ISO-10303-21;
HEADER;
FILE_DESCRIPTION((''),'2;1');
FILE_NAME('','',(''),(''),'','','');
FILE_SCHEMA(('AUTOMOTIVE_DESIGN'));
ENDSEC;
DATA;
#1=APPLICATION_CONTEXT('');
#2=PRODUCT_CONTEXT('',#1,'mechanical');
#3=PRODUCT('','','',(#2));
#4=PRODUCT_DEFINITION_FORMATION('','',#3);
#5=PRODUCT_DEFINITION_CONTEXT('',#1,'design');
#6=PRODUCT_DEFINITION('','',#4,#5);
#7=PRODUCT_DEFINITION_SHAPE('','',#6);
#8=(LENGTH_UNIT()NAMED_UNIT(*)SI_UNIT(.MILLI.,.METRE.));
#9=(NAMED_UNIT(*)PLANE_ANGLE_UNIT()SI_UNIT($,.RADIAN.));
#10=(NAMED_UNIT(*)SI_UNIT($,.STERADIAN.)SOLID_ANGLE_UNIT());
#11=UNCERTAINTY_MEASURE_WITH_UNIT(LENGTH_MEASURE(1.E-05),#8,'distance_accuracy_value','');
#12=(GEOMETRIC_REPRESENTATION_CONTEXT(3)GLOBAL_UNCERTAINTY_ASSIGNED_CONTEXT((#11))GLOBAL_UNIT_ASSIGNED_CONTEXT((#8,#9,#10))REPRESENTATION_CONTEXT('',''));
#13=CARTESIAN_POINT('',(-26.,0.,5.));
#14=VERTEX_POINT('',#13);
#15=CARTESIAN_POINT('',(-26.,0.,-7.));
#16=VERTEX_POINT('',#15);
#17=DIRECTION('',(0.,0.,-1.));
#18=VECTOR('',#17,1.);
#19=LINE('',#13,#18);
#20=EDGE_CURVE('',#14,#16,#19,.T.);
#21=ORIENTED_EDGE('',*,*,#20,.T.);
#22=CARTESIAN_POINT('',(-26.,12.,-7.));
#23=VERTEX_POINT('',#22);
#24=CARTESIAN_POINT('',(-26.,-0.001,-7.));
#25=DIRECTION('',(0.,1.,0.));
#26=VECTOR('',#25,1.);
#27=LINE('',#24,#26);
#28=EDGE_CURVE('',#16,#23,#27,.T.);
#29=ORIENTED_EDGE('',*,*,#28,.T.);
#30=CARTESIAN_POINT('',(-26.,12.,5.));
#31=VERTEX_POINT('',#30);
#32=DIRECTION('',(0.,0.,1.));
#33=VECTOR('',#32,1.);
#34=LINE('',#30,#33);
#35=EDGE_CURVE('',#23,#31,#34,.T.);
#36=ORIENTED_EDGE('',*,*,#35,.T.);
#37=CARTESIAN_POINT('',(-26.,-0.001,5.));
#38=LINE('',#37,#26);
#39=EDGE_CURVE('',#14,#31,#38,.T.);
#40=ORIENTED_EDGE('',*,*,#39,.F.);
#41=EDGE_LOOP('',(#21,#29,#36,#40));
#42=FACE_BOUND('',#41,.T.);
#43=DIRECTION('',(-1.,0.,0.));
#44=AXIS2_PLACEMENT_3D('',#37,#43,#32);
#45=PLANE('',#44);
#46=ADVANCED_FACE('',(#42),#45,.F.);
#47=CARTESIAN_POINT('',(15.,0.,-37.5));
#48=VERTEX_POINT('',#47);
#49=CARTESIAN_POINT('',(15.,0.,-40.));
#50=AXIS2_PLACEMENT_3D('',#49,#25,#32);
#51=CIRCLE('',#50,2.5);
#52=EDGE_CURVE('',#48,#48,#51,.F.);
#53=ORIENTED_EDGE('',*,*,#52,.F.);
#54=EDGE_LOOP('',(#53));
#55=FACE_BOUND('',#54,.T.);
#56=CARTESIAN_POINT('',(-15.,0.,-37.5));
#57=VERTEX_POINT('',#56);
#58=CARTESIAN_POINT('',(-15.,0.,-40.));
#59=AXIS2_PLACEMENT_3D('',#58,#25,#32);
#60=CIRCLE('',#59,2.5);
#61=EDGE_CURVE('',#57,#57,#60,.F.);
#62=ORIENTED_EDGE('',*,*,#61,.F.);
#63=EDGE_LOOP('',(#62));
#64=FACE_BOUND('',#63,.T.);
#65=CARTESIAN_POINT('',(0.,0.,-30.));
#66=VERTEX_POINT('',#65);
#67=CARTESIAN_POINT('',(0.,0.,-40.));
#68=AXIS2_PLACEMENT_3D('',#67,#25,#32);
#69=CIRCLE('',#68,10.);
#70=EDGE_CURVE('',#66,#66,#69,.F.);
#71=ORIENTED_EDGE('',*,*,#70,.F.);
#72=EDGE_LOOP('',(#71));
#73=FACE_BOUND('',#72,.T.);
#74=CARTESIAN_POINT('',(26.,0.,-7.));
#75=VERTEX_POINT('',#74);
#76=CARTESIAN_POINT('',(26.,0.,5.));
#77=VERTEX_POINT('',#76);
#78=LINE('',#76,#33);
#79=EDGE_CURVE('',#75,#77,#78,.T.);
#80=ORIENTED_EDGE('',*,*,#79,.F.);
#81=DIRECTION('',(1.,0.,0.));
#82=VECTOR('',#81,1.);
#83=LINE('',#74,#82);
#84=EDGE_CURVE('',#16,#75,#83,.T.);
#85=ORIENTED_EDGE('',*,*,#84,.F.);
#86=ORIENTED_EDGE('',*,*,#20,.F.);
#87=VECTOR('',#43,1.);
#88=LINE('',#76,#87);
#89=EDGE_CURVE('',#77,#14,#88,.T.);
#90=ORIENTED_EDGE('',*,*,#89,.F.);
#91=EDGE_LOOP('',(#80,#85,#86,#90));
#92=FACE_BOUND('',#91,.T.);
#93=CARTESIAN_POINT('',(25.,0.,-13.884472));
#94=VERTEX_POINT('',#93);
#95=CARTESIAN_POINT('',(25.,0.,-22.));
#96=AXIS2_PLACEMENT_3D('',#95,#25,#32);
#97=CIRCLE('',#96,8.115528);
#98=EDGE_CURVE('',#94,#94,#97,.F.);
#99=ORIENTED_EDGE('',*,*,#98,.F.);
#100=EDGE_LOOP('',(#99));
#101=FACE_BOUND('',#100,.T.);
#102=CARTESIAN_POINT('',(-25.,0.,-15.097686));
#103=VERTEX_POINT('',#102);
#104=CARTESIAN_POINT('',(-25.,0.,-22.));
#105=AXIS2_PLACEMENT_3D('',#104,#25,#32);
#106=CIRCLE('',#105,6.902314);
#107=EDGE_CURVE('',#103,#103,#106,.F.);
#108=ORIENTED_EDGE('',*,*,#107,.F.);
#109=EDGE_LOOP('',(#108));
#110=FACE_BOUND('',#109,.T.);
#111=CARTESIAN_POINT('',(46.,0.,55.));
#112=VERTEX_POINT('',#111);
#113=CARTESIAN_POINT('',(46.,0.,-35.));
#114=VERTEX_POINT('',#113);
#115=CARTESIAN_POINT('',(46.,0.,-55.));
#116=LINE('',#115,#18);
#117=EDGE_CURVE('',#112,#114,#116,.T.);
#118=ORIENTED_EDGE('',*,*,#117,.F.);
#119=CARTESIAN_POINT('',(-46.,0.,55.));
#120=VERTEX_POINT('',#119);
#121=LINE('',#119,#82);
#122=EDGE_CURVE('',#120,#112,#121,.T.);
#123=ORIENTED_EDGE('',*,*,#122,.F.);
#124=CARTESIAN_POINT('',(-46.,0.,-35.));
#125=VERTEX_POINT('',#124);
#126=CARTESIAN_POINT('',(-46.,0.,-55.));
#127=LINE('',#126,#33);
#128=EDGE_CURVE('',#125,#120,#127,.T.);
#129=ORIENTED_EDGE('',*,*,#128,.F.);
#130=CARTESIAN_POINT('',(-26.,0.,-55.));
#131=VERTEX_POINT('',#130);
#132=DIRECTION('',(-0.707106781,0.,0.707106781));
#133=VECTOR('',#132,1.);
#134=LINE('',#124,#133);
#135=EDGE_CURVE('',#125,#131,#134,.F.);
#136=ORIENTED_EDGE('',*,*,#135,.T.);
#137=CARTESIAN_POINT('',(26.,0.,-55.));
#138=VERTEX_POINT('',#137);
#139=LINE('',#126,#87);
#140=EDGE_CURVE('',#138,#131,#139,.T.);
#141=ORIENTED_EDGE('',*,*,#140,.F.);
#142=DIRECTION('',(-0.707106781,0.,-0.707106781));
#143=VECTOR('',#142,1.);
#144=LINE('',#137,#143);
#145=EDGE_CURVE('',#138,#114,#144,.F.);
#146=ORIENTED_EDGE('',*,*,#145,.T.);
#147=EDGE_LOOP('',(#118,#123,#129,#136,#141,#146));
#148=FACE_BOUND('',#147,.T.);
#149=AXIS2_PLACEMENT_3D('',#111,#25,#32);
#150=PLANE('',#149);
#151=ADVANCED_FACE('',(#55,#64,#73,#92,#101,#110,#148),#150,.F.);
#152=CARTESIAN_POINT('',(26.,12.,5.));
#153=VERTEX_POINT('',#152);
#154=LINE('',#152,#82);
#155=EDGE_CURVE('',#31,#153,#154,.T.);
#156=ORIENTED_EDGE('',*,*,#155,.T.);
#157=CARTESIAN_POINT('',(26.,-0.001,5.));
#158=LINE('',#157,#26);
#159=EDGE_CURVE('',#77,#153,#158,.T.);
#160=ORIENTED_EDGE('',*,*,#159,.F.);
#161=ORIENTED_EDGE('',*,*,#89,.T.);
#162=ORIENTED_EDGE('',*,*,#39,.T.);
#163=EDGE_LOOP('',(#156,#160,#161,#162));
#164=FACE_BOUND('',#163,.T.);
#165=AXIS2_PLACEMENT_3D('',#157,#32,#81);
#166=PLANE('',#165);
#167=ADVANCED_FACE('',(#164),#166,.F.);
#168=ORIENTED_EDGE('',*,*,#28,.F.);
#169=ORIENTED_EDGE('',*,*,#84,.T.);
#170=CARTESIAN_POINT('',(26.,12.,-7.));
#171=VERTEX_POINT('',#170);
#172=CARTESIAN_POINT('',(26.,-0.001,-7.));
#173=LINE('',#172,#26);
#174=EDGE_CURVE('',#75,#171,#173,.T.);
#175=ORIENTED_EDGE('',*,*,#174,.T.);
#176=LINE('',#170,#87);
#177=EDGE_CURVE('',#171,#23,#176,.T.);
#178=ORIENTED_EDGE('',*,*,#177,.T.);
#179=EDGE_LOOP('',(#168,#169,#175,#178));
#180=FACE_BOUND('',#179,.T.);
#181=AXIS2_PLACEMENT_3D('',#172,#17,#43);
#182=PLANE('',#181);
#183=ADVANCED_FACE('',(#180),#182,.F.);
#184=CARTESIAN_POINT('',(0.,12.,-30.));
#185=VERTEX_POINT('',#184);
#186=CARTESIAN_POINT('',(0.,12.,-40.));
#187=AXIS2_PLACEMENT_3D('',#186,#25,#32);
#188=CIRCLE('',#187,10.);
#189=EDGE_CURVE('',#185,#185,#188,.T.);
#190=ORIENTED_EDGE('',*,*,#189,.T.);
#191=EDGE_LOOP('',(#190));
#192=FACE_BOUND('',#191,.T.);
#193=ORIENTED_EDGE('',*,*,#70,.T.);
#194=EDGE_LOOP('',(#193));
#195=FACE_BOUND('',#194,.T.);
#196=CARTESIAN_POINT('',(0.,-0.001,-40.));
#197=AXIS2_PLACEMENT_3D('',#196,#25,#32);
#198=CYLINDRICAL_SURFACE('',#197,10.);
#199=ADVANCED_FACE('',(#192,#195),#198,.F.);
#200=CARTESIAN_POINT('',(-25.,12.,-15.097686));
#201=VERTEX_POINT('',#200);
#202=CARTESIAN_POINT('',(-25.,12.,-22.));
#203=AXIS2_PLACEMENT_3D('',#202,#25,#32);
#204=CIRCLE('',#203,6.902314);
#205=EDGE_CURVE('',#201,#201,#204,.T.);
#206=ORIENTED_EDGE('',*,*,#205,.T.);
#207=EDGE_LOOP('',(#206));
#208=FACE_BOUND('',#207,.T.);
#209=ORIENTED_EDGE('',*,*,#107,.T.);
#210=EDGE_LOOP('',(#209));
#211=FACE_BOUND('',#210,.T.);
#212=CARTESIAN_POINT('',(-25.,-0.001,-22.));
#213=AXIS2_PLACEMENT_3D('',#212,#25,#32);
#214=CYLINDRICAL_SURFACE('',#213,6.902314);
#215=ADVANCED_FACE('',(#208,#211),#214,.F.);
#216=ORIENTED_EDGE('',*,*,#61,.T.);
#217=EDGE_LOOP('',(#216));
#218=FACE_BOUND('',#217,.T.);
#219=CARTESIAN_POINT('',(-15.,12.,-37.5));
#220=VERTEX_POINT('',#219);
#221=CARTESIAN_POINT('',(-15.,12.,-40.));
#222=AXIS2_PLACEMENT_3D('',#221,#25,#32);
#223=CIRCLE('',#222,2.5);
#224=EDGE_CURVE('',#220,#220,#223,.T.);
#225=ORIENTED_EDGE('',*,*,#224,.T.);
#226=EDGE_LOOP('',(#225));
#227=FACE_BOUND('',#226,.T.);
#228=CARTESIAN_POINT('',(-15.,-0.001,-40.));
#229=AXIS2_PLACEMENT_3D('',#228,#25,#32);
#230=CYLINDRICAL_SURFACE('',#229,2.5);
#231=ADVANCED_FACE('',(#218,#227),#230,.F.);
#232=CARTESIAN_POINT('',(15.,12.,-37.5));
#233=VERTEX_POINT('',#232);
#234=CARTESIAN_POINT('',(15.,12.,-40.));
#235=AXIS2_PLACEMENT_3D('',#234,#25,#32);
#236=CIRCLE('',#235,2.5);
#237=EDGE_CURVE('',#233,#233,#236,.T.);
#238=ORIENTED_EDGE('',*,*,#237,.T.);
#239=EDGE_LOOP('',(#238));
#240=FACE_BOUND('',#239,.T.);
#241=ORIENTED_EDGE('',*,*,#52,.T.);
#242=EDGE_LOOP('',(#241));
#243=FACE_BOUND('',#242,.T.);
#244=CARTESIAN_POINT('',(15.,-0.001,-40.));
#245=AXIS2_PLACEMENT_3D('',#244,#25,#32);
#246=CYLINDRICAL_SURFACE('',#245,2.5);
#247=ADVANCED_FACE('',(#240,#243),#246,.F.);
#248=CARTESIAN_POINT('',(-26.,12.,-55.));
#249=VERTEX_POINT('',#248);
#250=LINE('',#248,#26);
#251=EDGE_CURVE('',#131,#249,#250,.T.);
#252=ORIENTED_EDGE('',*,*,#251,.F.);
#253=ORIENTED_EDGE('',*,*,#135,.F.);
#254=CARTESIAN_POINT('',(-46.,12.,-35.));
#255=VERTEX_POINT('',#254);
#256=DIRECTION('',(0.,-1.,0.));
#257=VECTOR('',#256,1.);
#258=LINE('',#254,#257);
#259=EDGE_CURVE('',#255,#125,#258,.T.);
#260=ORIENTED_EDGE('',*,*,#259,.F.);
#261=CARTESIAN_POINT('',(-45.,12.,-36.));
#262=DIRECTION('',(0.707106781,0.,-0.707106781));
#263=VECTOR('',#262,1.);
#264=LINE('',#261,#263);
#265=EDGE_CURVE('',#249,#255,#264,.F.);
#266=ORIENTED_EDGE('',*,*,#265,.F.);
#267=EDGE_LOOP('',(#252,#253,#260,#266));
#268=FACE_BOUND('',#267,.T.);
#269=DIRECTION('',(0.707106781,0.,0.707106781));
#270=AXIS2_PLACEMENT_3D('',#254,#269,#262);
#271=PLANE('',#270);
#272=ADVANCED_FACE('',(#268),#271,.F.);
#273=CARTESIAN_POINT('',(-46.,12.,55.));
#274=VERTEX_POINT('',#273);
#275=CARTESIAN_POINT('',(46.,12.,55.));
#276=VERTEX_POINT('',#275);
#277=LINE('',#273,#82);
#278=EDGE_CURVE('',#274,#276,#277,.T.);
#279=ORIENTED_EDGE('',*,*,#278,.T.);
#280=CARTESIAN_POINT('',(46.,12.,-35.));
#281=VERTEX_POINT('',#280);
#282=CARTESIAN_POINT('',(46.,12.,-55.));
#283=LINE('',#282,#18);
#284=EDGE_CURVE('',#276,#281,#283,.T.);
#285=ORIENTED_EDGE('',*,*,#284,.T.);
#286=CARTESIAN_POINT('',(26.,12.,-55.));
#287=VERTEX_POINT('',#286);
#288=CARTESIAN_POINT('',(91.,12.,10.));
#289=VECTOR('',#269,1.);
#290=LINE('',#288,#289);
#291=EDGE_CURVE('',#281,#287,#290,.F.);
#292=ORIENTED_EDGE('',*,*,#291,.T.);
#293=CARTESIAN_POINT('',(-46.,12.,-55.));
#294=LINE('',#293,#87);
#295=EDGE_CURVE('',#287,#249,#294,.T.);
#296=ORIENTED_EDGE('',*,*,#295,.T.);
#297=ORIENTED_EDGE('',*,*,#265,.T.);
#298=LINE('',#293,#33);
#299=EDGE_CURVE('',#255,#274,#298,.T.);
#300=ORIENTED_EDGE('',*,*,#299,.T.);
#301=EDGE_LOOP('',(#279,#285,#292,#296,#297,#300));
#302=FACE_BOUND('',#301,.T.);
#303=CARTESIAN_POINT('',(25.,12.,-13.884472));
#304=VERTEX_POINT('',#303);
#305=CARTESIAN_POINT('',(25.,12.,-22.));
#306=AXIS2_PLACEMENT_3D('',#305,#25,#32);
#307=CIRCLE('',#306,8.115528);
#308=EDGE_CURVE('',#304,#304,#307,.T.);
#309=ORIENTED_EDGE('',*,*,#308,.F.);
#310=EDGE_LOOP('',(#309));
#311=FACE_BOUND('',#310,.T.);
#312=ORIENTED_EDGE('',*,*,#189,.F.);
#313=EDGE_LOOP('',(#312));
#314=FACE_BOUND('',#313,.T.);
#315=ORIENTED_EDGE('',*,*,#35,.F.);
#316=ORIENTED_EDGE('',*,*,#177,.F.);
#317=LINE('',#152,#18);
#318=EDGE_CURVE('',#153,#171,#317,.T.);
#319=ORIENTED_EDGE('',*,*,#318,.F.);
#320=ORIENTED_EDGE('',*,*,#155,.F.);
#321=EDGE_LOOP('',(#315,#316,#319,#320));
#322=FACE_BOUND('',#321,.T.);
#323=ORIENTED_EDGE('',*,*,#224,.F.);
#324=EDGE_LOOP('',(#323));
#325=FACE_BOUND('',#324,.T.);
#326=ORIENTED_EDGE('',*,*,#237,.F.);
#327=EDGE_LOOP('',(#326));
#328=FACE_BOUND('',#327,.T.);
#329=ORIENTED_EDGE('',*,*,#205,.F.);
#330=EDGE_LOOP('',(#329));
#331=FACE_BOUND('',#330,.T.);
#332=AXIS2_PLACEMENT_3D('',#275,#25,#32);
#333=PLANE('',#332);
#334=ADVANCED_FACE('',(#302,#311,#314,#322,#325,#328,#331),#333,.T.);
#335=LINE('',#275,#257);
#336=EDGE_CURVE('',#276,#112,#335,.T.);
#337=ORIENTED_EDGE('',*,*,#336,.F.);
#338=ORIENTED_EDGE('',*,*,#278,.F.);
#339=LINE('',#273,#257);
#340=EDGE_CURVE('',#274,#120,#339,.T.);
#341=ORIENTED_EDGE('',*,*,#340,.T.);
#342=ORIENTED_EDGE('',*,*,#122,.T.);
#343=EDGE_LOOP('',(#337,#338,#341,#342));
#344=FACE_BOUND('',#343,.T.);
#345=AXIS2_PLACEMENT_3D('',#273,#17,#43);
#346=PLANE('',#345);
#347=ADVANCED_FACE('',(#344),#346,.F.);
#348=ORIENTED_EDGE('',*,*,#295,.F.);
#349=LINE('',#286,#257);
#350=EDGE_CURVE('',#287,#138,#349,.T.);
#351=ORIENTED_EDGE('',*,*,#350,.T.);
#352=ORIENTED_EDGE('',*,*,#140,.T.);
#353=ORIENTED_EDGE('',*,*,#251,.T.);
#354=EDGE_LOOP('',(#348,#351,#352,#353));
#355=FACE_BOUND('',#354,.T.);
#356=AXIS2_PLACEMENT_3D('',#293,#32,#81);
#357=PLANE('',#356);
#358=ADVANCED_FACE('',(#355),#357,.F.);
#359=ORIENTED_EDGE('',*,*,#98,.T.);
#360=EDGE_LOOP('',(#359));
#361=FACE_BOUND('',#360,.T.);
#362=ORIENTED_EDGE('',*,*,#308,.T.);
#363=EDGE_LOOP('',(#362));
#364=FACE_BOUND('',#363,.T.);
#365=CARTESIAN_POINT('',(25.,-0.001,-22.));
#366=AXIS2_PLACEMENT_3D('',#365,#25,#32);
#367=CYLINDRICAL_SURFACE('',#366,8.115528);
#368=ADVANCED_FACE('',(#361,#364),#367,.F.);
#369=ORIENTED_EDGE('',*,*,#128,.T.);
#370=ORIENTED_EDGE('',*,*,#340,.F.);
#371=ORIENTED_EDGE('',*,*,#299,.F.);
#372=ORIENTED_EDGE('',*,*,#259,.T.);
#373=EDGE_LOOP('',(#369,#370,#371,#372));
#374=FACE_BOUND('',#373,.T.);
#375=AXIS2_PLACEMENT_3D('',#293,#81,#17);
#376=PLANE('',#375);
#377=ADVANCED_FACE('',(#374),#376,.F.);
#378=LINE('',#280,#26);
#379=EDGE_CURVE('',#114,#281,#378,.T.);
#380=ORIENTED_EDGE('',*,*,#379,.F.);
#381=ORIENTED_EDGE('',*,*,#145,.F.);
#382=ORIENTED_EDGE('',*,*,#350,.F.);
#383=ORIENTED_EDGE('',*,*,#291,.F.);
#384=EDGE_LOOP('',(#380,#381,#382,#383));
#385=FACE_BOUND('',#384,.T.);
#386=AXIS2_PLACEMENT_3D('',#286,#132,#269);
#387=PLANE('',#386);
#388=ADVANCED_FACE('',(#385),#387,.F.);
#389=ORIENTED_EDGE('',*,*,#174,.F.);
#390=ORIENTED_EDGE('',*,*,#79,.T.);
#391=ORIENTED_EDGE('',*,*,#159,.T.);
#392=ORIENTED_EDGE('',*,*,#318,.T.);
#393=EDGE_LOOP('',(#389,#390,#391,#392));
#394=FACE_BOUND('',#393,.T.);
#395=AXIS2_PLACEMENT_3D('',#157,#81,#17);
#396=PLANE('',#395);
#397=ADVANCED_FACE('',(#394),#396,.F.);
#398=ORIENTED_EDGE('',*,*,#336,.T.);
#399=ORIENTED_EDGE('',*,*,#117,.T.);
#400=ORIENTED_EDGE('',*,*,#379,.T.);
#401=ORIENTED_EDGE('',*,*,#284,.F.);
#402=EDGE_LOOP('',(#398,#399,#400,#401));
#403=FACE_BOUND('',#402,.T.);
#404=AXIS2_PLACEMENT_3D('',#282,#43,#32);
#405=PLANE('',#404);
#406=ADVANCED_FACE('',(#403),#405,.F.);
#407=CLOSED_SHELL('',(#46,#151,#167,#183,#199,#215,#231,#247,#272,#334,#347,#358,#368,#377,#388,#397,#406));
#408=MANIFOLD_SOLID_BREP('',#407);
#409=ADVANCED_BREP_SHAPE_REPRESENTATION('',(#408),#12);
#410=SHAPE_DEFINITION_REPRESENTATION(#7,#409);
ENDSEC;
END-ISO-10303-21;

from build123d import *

# Parameters (mm, degrees)
SKETCH1_W           = 92
SKETCH1_H           = 110
BOSS_EXTRUDE1_DEPTH = 12
CUT_EXTRUDE1_REACH  = 74.698
SKETCH2_R           = 10
SKETCH2_R_2         = 6.902314271
SKETCH2_R_3         = 8.115527509
SKETCH2_R_4         = 2.5
CUT_EXTRUDE2_REACH  = 74.698
SKETCH3_W           = 52
SKETCH3_H           = 12
CHAMFER1_SIZE       = 20


with BuildPart() as part:
    # Sketch1 → Boss-Extrude1 (new body)
    with BuildSketch(Plane(origin=(0, 0, 0), x_dir=(1, 0, 0), z_dir=(0, 1, 0))):
        Rectangle(SKETCH1_W, SKETCH1_H)
    extrude(amount=BOSS_EXTRUDE1_DEPTH)

    # Sketch2 → Cut-Extrude1 (cut, up to next)
    with BuildSketch(Plane(origin=(0, 12, 0), x_dir=(1, 0, 0), z_dir=(0, 1, 0)), mode=Mode.PRIVATE) as cut_extrude1_sk1:
        with Locations(Location((0, 40, 0), (0, 0, 270))):
            Circle(SKETCH2_R)
    cut_extrude1_tool1 = extrude(cut_extrude1_sk1.sketch, amount=-CUT_EXTRUDE1_REACH, mode=Mode.PRIVATE) & part.part
    # Sketch2 → Cut-Extrude1 (cut, up to next)
    with BuildSketch(Plane(origin=(0, 12, 0), x_dir=(1, 0, 0), z_dir=(0, 1, 0)), mode=Mode.PRIVATE) as cut_extrude1_sk2:
        with Locations(Location((-25, 22, 0), (0, 0, 270))):
            Circle(SKETCH2_R_2)
    cut_extrude1_tool2 = extrude(cut_extrude1_sk2.sketch, amount=-CUT_EXTRUDE1_REACH, mode=Mode.PRIVATE) & part.part
    # Sketch2 → Cut-Extrude1 (cut, up to next)
    with BuildSketch(Plane(origin=(0, 12, 0), x_dir=(1, 0, 0), z_dir=(0, 1, 0)), mode=Mode.PRIVATE) as cut_extrude1_sk3:
        with Locations(Location((25, 22, 0), (0, 0, 270))):
            Circle(SKETCH2_R_3)
    cut_extrude1_tool3 = extrude(cut_extrude1_sk3.sketch, amount=-CUT_EXTRUDE1_REACH, mode=Mode.PRIVATE) & part.part
    # Sketch2 → Cut-Extrude1 (cut, up to next)
    with BuildSketch(Plane(origin=(0, 12, 0), x_dir=(1, 0, 0), z_dir=(0, 1, 0)), mode=Mode.PRIVATE) as cut_extrude1_sk4:
        with Locations(Location((-15, 40, 0), (0, 0, 270))):
            Circle(SKETCH2_R_4)
    cut_extrude1_tool4 = extrude(cut_extrude1_sk4.sketch, amount=-CUT_EXTRUDE1_REACH, mode=Mode.PRIVATE) & part.part
    # Sketch2 → Cut-Extrude1 (cut, up to next)
    with BuildSketch(Plane(origin=(0, 12, 0), x_dir=(1, 0, 0), z_dir=(0, 1, 0)), mode=Mode.PRIVATE) as cut_extrude1_sk5:
        with Locations(Location((15, 40, 0), (0, 0, 270))):
            Circle(SKETCH2_R_4)
    cut_extrude1_tool5 = extrude(cut_extrude1_sk5.sketch, amount=-CUT_EXTRUDE1_REACH, mode=Mode.PRIVATE) & part.part
    add(cut_extrude1_tool1.solids().sort_by_distance((0, 12, -40))[0], mode=Mode.SUBTRACT)
    add(cut_extrude1_tool2.solids().sort_by_distance((-25, 12, -22))[0], mode=Mode.SUBTRACT)
    add(cut_extrude1_tool3.solids().sort_by_distance((25, 12, -22))[0], mode=Mode.SUBTRACT)
    add(cut_extrude1_tool4.solids().sort_by_distance((-15, 12, -40))[0], mode=Mode.SUBTRACT)
    add(cut_extrude1_tool5.solids().sort_by_distance((15, 12, -40))[0], mode=Mode.SUBTRACT)

    # Sketch3 → Cut-Extrude2 (cut, up to next)
    with BuildSketch(Plane(origin=(0, 12, 0), x_dir=(1, 0, 0), z_dir=(0, 1, 0)), mode=Mode.PRIVATE) as cut_extrude2_sk1:
        with Locations((0, 1)):
            Rectangle(SKETCH3_W, SKETCH3_H)
    cut_extrude2_tool1 = extrude(cut_extrude2_sk1.sketch, amount=-CUT_EXTRUDE2_REACH, mode=Mode.PRIVATE) & part.part
    add(cut_extrude2_tool1.solids().sort_by_distance((0, 12, -1))[0], mode=Mode.SUBTRACT)

    # Chamfer1
    chamfer1_edges = [part.edges().sort_by_distance(p)[0] for p in [
        (-46, 6, -55),
        (46, 6, -55),
    ]]
    chamfer(chamfer1_edges, length=CHAMFER1_SIZE)


solid = part.part
